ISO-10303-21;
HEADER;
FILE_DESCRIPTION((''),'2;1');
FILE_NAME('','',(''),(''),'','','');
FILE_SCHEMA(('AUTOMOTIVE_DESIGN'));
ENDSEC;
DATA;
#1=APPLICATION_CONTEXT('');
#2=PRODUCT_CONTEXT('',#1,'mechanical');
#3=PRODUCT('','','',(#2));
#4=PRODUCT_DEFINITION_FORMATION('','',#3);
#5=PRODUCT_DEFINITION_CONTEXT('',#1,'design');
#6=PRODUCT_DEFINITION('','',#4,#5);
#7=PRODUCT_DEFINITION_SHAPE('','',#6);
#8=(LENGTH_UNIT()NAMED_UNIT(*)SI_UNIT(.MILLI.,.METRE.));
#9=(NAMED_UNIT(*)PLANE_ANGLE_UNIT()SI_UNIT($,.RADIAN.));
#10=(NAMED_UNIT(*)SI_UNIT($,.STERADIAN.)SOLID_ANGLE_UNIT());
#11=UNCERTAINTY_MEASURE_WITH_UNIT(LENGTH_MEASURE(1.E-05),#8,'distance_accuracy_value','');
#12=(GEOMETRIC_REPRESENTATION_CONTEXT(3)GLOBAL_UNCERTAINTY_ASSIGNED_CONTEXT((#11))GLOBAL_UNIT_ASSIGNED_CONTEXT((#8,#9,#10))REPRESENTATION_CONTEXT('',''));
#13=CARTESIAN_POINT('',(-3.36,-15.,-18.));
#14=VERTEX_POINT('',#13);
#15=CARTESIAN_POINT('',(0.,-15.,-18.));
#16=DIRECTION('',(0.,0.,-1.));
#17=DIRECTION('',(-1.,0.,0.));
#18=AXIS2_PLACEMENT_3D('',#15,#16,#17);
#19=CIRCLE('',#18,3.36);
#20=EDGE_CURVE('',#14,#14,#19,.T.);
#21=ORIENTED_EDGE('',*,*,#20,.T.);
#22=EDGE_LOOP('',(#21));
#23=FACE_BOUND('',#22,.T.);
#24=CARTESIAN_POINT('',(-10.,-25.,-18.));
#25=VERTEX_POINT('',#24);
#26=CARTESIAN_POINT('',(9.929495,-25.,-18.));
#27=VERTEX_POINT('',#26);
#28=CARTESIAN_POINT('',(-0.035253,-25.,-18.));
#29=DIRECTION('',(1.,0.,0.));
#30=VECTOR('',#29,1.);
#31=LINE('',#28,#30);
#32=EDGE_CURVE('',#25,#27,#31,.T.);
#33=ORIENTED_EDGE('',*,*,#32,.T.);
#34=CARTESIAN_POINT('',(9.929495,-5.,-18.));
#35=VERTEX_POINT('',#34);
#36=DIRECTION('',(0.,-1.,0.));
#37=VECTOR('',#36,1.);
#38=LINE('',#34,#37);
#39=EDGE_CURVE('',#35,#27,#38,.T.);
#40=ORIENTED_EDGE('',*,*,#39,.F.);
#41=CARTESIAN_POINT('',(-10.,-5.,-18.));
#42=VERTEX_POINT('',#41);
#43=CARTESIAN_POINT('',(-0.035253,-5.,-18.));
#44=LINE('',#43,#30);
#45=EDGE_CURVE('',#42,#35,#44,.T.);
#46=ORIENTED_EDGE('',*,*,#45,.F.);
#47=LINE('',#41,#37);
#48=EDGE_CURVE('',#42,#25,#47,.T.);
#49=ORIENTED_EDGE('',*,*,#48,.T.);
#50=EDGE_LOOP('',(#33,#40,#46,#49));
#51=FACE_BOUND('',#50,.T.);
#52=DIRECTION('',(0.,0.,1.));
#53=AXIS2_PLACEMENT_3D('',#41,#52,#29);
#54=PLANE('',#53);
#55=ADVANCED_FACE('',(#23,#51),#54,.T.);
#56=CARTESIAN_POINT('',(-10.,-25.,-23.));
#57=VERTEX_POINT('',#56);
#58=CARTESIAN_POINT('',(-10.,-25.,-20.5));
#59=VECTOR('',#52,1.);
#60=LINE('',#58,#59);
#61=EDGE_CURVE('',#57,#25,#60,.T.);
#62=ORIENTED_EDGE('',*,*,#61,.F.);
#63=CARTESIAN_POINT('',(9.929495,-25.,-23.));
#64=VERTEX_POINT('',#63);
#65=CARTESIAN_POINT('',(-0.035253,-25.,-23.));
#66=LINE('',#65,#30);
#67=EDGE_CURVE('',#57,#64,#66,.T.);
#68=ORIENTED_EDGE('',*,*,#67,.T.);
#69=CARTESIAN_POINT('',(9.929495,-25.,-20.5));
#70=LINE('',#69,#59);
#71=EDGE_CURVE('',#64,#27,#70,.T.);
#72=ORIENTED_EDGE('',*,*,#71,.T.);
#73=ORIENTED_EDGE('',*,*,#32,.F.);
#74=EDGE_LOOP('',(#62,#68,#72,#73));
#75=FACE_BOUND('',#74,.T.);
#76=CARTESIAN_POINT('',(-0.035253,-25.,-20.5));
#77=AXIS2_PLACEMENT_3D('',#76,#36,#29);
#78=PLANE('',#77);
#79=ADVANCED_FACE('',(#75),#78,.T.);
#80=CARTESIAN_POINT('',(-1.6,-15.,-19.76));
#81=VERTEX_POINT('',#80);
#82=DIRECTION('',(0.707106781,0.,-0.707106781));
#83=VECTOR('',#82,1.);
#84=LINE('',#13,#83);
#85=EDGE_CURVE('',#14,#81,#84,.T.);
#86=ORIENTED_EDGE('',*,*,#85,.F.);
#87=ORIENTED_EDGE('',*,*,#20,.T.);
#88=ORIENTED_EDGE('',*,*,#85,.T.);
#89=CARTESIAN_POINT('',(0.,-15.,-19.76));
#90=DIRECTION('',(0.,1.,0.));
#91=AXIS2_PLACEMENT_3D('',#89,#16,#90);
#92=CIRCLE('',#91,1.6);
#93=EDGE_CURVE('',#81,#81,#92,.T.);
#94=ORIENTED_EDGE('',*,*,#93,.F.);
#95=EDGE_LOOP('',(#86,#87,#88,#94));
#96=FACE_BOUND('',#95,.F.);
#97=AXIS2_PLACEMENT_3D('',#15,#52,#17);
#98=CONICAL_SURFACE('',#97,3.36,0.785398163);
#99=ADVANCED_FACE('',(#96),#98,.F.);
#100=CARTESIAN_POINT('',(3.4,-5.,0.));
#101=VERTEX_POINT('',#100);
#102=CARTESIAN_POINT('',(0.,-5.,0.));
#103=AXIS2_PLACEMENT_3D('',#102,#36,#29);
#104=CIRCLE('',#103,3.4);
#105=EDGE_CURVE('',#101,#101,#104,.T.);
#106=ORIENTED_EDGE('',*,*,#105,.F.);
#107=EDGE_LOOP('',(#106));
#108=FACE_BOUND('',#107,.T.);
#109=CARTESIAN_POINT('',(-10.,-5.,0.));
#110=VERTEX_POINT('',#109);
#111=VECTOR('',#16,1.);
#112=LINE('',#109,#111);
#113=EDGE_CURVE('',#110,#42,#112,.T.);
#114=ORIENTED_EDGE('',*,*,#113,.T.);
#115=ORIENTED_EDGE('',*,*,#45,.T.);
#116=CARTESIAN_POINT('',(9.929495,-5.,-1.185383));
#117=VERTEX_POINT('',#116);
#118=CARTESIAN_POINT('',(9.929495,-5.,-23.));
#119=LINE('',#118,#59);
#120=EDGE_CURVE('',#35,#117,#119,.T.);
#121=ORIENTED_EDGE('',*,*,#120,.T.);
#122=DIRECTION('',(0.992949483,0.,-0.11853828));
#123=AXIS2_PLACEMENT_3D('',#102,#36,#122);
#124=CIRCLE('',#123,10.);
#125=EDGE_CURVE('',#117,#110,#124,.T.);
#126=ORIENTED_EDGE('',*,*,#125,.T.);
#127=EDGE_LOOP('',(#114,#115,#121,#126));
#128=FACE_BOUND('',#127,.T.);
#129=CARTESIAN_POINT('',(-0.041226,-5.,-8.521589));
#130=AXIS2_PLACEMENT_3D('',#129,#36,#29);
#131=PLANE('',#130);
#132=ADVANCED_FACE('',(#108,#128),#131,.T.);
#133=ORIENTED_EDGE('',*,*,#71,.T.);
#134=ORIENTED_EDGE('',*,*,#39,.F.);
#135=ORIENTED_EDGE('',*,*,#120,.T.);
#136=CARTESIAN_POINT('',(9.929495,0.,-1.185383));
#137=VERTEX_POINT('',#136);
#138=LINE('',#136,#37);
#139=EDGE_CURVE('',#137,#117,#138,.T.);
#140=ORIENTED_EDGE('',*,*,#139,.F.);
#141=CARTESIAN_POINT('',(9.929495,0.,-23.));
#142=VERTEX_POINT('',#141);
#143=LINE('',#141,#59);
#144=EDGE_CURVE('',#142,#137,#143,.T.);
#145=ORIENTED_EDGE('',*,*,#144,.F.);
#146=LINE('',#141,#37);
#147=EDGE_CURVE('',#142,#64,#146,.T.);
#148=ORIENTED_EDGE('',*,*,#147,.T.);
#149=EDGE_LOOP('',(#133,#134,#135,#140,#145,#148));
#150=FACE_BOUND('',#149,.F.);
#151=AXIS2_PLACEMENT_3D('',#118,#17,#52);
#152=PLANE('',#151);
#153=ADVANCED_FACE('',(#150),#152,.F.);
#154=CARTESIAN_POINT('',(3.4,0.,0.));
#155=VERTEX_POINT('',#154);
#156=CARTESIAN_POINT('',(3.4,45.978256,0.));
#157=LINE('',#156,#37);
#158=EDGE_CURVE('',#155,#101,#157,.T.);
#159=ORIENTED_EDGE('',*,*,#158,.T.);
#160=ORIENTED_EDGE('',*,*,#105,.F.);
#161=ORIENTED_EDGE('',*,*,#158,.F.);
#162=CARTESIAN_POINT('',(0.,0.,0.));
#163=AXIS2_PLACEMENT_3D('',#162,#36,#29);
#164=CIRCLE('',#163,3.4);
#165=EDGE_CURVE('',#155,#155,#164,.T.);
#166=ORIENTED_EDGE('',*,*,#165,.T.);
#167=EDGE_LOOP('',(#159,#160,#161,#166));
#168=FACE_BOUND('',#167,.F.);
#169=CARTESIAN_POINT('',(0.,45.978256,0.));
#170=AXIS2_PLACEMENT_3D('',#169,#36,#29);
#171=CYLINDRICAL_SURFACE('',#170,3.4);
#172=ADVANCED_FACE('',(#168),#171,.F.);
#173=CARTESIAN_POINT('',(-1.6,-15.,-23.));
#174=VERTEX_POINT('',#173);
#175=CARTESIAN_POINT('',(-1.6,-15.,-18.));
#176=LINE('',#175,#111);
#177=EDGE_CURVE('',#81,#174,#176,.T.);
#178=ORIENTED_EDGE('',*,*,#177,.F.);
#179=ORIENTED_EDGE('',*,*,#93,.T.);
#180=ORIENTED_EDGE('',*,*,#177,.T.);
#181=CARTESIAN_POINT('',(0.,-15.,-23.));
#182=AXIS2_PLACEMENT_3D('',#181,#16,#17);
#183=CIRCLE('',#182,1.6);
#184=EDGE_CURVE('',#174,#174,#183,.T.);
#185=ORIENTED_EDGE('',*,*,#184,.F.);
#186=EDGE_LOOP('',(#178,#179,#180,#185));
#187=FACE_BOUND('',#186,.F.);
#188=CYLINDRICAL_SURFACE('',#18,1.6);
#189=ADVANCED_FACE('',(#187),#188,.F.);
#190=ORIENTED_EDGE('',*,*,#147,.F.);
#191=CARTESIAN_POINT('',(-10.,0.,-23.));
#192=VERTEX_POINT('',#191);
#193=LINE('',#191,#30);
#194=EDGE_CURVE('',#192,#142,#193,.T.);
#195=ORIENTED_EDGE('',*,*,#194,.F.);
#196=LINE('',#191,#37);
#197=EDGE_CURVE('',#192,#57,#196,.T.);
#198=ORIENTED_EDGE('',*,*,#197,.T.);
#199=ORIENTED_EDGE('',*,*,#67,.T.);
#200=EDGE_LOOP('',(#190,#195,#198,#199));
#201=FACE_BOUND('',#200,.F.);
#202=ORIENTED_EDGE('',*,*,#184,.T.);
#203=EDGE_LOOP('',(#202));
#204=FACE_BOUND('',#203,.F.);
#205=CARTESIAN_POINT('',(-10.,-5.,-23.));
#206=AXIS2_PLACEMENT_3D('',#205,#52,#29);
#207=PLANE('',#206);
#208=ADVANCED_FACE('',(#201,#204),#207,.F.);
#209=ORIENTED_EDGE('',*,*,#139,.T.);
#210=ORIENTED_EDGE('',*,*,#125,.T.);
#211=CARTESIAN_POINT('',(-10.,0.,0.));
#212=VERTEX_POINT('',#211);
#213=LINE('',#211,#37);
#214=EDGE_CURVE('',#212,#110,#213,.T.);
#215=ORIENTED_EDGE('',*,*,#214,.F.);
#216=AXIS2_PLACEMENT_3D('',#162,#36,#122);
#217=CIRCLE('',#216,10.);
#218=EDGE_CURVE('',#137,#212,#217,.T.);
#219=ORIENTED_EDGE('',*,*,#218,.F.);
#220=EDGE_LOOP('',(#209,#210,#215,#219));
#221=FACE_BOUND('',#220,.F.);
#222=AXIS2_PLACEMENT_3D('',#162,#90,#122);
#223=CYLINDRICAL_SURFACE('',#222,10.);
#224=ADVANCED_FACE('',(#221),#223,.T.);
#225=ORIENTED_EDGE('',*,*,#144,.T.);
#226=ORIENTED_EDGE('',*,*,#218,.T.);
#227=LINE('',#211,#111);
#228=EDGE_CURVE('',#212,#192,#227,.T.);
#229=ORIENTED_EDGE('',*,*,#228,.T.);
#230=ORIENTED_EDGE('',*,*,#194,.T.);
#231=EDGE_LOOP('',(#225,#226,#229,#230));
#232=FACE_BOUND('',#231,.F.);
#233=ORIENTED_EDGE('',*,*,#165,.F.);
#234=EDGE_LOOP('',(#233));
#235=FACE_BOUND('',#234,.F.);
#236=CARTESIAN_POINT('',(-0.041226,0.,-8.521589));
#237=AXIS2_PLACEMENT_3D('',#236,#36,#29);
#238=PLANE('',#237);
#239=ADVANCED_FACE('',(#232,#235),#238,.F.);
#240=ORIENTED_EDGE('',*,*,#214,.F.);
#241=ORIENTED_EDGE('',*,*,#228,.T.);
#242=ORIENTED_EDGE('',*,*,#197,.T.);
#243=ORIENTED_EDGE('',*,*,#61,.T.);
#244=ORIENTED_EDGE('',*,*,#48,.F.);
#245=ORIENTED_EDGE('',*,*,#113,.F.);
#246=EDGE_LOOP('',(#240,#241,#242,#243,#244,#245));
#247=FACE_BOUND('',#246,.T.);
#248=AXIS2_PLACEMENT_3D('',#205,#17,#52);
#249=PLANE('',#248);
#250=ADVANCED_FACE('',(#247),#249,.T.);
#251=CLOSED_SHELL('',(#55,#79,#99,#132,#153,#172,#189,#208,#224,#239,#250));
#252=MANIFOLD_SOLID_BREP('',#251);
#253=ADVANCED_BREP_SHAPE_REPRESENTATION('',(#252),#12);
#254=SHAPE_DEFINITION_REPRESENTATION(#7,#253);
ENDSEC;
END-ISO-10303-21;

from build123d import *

# Parameters (mm, degrees)
F1_DEPTH       = 5
F2_W           = 19.9294948324
F2_H           = 5
F3_DEPTH       = 20
F5_D           = 6.8
F7_D           = 3.2
F7_CSINK_D     = 6.72
F7_CSINK_ANGLE = 90


with BuildPart() as f1:
    # F0 (on Front) → F1 (new body)
    with BuildSketch(Plane.XZ):
        with BuildLine():
            Line((9.9294948324, -23), (9.9294948324, -1.1853827958))
            ThreePointArc((9.9294948324, -1.1853827958), (0.5937388633, 9.9823581464), (-10, 0))
            Line((-10, 0), (-10, -23))
            Line((-10, -23), (9.9294948324, -23))
        make_face()
    extrude(amount=F1_DEPTH)

    # F2 (on face) → F3 (join)
    with BuildSketch(Plane.XZ.offset(5)):
        with Locations((-0.0352525838, -20.5)):
            Rectangle(F2_W, F2_H)
    extrude(amount=F3_DEPTH)

    # F5 (through all)
    with Locations(Plane(origin=(0, 0, 0), x_dir=(-1, 0, 0), z_dir=(0, 1, 0))):
        with Locations((0, 0)):
            Hole(F5_D / 2)

    # F7 (through all)
    with Locations(Plane.XY.offset(-18)):
        with Locations((0, -15)):
            CounterSinkHole(F7_D / 2, F7_CSINK_D / 2, counter_sink_angle=F7_CSINK_ANGLE)


solid = f1.part
